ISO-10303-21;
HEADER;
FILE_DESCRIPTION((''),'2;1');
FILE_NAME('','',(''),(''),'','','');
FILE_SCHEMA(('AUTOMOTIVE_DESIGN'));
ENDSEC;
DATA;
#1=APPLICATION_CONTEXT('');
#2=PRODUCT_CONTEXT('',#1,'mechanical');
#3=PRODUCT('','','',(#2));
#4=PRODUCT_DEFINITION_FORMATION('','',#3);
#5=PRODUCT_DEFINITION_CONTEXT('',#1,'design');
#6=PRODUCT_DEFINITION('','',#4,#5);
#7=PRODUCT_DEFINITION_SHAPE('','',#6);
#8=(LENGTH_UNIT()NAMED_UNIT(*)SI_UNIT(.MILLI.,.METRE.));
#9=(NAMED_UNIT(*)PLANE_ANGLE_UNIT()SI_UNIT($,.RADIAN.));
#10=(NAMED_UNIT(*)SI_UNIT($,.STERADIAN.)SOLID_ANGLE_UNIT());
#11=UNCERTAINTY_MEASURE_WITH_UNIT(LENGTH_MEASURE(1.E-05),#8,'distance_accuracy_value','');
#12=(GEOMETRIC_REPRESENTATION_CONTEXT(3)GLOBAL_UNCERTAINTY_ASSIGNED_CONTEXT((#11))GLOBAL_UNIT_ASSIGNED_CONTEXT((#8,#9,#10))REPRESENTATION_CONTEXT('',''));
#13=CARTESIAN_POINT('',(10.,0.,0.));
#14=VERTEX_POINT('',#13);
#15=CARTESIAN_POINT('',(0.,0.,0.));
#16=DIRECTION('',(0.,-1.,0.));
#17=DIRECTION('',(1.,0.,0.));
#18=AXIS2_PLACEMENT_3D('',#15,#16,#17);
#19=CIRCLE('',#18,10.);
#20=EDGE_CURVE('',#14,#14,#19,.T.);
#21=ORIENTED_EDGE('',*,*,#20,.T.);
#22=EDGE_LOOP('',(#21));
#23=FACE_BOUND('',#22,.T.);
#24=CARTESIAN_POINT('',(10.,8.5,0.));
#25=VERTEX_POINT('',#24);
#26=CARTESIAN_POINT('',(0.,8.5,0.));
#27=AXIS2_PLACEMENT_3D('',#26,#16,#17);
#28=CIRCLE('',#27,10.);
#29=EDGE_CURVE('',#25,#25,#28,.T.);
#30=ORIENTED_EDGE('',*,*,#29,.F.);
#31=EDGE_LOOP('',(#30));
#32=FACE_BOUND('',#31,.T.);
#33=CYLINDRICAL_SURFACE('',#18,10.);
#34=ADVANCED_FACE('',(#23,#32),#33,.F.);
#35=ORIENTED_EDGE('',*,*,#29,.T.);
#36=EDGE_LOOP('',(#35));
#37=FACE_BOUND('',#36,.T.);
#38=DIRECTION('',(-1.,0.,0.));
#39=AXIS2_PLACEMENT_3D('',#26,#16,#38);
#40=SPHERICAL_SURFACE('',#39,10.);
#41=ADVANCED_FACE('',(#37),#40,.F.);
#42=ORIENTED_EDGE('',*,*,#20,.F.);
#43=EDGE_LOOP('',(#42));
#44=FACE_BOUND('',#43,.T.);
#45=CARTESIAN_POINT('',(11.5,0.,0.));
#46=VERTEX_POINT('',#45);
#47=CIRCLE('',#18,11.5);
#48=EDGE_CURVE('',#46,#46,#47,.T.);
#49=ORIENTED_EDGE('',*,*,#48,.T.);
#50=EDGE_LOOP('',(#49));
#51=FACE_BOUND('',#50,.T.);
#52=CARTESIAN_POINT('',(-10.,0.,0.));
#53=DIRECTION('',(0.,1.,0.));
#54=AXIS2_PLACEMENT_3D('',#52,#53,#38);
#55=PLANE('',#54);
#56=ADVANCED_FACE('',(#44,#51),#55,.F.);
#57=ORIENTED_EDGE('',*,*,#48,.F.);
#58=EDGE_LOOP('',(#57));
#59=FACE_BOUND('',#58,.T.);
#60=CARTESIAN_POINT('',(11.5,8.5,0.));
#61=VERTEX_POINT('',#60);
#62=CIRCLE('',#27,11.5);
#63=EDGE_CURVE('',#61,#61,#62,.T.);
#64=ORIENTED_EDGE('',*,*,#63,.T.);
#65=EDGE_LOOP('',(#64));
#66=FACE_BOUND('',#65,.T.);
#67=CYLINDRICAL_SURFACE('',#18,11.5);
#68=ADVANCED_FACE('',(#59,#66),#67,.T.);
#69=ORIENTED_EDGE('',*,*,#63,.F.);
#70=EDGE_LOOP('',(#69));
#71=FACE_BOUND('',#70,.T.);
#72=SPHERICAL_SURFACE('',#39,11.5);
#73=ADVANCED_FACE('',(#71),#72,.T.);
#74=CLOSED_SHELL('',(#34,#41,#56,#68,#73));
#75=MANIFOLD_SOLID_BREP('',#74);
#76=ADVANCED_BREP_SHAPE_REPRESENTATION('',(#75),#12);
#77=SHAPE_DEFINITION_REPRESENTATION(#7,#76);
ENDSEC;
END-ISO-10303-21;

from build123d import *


with BuildPart() as part:
    # Szkic1 → Obrót1 (revolve)
    with BuildSketch(Plane.XY):
        with BuildLine():
            Line((-11.5, 0), (-11.5, 8.5))
            ThreePointArc((-11.5, 8.5), (-8.131727984, 16.631727984), (0, 20))
            Line((0, 20), (0, 18.5))
            ThreePointArc((0, 18.5), (-7.071067812, 15.571067812), (-10, 8.5))
            Line((-10, 8.5), (-10, 0))
            Line((-10, 0), (-11.5, 0))
        make_face()
    revolve(axis=Axis((0, 0, 0), (0, 1, 0)))


solid = part.part
